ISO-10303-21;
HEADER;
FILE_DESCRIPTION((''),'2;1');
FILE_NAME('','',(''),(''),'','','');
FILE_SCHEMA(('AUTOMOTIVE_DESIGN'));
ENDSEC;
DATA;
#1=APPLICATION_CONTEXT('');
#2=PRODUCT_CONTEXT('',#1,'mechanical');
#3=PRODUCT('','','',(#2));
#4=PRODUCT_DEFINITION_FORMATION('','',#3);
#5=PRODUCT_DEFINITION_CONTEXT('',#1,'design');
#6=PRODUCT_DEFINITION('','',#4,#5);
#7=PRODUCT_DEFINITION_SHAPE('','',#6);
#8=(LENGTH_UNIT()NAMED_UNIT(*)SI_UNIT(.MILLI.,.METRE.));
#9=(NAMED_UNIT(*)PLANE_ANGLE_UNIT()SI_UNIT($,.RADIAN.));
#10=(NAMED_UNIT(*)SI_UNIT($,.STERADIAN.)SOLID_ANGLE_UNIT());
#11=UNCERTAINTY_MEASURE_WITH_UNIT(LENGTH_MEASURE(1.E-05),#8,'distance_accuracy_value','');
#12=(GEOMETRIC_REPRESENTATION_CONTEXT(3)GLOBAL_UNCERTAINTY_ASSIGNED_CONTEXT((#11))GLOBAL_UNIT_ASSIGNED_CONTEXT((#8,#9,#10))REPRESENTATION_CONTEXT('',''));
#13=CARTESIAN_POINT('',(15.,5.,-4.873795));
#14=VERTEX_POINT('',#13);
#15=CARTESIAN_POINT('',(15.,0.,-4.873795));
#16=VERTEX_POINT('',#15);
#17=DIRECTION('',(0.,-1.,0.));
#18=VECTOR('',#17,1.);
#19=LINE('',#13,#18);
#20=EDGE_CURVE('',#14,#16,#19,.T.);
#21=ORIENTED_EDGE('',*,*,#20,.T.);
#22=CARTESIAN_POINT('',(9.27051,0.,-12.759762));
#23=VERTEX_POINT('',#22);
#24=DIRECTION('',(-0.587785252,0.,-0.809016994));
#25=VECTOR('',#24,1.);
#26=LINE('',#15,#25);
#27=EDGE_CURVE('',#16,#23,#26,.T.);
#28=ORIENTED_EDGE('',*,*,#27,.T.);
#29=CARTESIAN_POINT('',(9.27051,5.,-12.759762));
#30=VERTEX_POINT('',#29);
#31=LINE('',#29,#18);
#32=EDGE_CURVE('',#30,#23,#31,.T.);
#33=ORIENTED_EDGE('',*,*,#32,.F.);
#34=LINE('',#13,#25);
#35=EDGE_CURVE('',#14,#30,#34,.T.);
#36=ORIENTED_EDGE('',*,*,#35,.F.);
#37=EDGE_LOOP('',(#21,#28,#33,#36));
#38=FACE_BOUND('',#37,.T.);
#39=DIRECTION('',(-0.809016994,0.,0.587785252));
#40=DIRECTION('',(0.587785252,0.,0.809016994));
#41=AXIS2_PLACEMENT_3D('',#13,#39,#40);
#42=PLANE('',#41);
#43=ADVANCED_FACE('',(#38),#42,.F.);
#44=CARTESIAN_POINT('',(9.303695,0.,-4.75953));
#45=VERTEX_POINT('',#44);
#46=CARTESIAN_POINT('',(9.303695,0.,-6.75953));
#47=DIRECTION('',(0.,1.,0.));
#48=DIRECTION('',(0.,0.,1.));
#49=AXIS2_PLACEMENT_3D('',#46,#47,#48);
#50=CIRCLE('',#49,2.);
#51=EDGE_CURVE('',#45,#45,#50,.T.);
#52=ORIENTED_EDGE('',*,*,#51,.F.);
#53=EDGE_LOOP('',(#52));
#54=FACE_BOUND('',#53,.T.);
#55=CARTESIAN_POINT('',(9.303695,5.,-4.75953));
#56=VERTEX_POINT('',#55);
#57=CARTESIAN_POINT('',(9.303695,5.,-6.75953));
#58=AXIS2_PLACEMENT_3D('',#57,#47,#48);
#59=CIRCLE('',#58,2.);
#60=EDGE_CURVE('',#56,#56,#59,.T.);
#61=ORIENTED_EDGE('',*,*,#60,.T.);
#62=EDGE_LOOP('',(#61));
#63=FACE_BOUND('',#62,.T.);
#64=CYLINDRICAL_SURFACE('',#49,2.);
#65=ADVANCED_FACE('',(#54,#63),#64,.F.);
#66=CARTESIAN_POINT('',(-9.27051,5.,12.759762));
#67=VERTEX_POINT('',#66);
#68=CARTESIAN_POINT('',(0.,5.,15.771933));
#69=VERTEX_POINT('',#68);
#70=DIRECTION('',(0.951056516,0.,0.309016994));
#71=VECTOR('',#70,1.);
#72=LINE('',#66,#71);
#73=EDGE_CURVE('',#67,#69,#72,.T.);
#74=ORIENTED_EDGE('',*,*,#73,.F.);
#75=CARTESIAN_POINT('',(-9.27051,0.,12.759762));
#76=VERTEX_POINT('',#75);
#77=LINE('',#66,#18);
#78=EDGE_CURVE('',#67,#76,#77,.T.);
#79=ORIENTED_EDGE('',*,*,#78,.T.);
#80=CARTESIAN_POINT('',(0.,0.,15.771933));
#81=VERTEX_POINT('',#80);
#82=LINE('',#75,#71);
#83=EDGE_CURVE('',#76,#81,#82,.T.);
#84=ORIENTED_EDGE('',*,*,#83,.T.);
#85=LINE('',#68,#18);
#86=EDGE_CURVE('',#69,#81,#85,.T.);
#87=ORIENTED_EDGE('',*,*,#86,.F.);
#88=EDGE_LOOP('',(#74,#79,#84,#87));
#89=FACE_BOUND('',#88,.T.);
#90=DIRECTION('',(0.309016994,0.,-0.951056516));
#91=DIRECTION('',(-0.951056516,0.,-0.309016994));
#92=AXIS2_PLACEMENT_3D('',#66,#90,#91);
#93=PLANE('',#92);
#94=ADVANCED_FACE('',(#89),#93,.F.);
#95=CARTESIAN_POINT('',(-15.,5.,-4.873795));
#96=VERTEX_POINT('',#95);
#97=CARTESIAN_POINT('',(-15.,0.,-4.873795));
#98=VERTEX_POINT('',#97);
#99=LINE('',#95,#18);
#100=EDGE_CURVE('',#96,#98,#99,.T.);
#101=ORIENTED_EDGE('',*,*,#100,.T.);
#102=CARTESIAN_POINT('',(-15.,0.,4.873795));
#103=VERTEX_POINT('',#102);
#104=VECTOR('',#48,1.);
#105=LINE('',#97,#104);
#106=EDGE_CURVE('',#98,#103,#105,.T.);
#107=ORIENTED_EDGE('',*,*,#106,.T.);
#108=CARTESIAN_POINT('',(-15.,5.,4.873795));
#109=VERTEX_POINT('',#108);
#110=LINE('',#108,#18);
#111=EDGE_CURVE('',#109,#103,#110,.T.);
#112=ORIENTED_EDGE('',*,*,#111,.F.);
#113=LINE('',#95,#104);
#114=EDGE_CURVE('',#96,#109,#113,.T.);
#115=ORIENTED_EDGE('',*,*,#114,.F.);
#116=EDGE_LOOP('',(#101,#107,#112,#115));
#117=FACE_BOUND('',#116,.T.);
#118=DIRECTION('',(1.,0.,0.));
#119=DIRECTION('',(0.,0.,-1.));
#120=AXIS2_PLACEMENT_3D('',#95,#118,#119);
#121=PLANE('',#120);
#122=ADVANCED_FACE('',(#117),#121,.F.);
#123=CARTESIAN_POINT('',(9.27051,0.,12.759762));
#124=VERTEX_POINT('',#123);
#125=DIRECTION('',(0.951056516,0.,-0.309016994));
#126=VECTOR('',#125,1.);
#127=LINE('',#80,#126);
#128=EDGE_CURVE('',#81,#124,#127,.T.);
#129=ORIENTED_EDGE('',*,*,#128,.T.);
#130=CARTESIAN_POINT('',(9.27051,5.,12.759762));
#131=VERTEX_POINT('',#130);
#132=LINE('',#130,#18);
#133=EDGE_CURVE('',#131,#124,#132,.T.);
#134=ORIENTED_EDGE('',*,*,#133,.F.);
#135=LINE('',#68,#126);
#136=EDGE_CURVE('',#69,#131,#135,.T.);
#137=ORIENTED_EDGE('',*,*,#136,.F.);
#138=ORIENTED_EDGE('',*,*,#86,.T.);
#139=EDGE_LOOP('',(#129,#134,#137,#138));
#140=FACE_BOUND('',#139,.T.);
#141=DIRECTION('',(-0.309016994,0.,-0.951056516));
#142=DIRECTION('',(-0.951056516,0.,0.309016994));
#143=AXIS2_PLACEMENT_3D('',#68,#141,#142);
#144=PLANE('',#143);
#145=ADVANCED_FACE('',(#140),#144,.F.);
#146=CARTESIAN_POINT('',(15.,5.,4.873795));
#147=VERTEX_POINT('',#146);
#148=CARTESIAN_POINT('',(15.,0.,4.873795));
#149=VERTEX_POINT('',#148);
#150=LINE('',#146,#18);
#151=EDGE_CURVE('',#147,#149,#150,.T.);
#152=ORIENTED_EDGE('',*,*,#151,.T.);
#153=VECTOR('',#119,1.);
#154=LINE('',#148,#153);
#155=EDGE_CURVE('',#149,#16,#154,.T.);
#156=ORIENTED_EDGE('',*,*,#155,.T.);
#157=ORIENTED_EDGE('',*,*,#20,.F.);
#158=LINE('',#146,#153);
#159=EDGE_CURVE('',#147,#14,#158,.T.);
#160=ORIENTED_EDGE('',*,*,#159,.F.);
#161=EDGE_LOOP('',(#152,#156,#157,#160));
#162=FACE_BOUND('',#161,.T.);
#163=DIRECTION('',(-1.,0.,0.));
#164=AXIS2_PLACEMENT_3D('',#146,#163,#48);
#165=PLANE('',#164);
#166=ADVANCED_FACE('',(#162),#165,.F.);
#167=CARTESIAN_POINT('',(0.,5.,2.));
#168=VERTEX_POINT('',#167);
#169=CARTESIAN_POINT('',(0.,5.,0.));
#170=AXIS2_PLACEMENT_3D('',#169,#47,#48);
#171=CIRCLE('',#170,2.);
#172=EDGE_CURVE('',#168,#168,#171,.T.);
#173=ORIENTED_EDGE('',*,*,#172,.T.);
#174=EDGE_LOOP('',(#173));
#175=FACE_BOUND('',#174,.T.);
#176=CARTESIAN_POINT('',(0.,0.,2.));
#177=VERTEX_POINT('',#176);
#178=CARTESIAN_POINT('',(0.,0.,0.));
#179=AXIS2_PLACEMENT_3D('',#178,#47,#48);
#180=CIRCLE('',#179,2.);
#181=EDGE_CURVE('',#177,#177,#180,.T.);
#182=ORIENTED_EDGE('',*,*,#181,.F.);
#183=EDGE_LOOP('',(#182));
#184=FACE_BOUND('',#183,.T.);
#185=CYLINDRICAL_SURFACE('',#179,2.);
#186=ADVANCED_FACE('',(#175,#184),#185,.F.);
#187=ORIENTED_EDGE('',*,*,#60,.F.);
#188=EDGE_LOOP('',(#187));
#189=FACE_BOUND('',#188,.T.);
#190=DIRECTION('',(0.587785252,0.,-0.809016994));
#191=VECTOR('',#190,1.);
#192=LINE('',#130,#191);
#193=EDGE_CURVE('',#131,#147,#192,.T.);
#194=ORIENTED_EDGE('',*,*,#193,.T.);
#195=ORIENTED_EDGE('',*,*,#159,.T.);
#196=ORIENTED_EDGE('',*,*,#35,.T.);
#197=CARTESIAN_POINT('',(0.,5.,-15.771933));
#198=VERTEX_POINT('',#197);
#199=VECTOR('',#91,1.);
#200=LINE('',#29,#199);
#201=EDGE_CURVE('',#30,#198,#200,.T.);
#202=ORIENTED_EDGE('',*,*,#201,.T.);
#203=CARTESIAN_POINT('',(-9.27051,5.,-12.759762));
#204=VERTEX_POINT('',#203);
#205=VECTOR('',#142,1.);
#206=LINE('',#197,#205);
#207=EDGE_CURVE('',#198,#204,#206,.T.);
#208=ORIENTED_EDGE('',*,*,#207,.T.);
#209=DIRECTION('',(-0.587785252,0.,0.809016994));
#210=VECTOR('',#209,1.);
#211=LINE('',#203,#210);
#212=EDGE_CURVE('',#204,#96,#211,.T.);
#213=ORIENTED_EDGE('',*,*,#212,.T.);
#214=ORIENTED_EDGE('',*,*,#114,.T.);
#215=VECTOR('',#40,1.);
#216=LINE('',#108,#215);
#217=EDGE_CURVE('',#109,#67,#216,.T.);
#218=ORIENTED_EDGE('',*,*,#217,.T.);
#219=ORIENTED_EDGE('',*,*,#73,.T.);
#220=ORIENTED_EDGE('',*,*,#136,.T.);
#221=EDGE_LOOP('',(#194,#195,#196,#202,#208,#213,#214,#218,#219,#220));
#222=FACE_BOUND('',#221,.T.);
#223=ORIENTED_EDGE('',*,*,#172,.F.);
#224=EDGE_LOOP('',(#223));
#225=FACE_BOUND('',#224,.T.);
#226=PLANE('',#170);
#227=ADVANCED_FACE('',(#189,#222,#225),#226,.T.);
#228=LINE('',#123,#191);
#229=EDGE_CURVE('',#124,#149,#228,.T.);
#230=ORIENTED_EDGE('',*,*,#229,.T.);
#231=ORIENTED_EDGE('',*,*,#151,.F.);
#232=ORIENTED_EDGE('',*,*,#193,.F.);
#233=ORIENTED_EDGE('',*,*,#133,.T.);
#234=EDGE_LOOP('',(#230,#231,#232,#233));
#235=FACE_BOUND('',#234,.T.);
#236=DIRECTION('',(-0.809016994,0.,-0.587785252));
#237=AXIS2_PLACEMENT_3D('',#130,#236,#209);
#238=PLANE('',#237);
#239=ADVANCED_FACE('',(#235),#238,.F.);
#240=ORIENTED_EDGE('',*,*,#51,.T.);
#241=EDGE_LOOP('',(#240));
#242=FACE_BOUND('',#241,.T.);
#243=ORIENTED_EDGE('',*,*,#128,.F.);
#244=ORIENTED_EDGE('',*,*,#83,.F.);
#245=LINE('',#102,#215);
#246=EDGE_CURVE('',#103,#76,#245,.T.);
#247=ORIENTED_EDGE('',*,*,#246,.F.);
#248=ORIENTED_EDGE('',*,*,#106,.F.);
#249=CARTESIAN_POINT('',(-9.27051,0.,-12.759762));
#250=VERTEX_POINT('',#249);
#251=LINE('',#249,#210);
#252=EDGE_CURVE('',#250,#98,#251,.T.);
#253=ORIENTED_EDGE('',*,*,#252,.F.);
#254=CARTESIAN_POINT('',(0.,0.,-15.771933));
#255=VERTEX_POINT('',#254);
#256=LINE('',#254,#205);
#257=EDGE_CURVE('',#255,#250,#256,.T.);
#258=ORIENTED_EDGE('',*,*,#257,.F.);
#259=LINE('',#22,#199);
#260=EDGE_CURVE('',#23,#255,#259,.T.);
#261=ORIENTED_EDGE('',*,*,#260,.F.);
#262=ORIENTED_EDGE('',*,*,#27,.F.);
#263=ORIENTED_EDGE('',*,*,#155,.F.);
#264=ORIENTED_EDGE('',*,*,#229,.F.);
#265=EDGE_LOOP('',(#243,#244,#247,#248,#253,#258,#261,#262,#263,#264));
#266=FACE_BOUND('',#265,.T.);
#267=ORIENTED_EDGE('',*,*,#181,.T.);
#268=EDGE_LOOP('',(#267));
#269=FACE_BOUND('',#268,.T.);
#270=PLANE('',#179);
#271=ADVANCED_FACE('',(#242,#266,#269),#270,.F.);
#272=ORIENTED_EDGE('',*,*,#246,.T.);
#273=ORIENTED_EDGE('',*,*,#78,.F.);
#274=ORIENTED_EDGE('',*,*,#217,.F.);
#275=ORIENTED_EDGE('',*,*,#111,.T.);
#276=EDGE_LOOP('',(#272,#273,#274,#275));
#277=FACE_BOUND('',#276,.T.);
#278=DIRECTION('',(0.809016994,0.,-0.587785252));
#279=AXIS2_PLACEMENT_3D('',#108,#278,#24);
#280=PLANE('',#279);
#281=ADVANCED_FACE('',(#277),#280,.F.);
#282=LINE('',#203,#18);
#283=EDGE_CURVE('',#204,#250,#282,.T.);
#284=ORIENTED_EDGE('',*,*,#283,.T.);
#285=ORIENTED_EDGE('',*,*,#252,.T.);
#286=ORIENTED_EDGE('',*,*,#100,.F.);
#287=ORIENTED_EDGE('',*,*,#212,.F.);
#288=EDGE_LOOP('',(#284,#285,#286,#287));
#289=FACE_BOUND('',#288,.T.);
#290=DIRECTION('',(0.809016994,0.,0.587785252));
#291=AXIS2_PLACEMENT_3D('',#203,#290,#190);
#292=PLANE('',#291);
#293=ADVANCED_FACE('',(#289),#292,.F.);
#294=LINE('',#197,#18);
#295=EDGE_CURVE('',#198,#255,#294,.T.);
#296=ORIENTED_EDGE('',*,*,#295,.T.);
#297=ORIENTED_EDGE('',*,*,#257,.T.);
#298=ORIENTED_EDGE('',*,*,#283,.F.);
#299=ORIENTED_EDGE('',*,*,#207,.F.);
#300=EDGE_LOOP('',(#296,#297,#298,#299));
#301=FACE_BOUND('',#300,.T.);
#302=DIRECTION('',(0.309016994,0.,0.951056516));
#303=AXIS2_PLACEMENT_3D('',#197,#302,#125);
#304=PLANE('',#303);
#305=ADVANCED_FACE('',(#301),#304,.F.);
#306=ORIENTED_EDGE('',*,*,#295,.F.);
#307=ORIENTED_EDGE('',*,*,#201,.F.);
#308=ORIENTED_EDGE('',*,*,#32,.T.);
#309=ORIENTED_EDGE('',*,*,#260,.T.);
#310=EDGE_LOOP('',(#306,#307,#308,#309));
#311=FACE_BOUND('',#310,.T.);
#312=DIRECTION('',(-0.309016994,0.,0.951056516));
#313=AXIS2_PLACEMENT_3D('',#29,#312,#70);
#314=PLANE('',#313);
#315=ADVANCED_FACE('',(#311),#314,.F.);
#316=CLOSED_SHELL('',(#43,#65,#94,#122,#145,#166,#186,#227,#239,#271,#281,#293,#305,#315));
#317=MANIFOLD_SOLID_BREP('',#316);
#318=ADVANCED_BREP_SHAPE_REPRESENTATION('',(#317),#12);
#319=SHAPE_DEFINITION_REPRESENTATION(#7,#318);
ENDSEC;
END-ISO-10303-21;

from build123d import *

# Parameters (mm, degrees)
BOSS_EXTRUDE1_DEPTH = 5
SKETCH2_R           = 2
CUT_EXTRUDE1_DEPTH  = 5


with BuildPart() as part:
    # Sketch1 → Boss-Extrude1 (new body)
    with BuildSketch(Plane(origin=(0, 0, 0), x_dir=(1, 0, 0), z_dir=(0, 1, 0))):
        Polygon((9.270509831, -12.759762125), (15, -4.873795443), (15, 4.873795443), (9.270509831, 12.759762125), (0, 15.771933364), (-9.270509831, 12.759762125), (-15, 4.873795443), (-15, -4.873795443), (-9.270509831, -12.759762125), (0, -15.771933364), align=None)
    extrude(amount=BOSS_EXTRUDE1_DEPTH)

    # Sketch2 → Cut-Extrude1 (cut)
    with BuildSketch(Plane(origin=(0, 5, 0), x_dir=(1, 0, 0), z_dir=(0, 1, 0))):
        Circle(SKETCH2_R)
        with Locations((9.303695435, 6.759530401)):
            Circle(SKETCH2_R)
    extrude(amount=-CUT_EXTRUDE1_DEPTH, mode=Mode.SUBTRACT)


solid = part.part
